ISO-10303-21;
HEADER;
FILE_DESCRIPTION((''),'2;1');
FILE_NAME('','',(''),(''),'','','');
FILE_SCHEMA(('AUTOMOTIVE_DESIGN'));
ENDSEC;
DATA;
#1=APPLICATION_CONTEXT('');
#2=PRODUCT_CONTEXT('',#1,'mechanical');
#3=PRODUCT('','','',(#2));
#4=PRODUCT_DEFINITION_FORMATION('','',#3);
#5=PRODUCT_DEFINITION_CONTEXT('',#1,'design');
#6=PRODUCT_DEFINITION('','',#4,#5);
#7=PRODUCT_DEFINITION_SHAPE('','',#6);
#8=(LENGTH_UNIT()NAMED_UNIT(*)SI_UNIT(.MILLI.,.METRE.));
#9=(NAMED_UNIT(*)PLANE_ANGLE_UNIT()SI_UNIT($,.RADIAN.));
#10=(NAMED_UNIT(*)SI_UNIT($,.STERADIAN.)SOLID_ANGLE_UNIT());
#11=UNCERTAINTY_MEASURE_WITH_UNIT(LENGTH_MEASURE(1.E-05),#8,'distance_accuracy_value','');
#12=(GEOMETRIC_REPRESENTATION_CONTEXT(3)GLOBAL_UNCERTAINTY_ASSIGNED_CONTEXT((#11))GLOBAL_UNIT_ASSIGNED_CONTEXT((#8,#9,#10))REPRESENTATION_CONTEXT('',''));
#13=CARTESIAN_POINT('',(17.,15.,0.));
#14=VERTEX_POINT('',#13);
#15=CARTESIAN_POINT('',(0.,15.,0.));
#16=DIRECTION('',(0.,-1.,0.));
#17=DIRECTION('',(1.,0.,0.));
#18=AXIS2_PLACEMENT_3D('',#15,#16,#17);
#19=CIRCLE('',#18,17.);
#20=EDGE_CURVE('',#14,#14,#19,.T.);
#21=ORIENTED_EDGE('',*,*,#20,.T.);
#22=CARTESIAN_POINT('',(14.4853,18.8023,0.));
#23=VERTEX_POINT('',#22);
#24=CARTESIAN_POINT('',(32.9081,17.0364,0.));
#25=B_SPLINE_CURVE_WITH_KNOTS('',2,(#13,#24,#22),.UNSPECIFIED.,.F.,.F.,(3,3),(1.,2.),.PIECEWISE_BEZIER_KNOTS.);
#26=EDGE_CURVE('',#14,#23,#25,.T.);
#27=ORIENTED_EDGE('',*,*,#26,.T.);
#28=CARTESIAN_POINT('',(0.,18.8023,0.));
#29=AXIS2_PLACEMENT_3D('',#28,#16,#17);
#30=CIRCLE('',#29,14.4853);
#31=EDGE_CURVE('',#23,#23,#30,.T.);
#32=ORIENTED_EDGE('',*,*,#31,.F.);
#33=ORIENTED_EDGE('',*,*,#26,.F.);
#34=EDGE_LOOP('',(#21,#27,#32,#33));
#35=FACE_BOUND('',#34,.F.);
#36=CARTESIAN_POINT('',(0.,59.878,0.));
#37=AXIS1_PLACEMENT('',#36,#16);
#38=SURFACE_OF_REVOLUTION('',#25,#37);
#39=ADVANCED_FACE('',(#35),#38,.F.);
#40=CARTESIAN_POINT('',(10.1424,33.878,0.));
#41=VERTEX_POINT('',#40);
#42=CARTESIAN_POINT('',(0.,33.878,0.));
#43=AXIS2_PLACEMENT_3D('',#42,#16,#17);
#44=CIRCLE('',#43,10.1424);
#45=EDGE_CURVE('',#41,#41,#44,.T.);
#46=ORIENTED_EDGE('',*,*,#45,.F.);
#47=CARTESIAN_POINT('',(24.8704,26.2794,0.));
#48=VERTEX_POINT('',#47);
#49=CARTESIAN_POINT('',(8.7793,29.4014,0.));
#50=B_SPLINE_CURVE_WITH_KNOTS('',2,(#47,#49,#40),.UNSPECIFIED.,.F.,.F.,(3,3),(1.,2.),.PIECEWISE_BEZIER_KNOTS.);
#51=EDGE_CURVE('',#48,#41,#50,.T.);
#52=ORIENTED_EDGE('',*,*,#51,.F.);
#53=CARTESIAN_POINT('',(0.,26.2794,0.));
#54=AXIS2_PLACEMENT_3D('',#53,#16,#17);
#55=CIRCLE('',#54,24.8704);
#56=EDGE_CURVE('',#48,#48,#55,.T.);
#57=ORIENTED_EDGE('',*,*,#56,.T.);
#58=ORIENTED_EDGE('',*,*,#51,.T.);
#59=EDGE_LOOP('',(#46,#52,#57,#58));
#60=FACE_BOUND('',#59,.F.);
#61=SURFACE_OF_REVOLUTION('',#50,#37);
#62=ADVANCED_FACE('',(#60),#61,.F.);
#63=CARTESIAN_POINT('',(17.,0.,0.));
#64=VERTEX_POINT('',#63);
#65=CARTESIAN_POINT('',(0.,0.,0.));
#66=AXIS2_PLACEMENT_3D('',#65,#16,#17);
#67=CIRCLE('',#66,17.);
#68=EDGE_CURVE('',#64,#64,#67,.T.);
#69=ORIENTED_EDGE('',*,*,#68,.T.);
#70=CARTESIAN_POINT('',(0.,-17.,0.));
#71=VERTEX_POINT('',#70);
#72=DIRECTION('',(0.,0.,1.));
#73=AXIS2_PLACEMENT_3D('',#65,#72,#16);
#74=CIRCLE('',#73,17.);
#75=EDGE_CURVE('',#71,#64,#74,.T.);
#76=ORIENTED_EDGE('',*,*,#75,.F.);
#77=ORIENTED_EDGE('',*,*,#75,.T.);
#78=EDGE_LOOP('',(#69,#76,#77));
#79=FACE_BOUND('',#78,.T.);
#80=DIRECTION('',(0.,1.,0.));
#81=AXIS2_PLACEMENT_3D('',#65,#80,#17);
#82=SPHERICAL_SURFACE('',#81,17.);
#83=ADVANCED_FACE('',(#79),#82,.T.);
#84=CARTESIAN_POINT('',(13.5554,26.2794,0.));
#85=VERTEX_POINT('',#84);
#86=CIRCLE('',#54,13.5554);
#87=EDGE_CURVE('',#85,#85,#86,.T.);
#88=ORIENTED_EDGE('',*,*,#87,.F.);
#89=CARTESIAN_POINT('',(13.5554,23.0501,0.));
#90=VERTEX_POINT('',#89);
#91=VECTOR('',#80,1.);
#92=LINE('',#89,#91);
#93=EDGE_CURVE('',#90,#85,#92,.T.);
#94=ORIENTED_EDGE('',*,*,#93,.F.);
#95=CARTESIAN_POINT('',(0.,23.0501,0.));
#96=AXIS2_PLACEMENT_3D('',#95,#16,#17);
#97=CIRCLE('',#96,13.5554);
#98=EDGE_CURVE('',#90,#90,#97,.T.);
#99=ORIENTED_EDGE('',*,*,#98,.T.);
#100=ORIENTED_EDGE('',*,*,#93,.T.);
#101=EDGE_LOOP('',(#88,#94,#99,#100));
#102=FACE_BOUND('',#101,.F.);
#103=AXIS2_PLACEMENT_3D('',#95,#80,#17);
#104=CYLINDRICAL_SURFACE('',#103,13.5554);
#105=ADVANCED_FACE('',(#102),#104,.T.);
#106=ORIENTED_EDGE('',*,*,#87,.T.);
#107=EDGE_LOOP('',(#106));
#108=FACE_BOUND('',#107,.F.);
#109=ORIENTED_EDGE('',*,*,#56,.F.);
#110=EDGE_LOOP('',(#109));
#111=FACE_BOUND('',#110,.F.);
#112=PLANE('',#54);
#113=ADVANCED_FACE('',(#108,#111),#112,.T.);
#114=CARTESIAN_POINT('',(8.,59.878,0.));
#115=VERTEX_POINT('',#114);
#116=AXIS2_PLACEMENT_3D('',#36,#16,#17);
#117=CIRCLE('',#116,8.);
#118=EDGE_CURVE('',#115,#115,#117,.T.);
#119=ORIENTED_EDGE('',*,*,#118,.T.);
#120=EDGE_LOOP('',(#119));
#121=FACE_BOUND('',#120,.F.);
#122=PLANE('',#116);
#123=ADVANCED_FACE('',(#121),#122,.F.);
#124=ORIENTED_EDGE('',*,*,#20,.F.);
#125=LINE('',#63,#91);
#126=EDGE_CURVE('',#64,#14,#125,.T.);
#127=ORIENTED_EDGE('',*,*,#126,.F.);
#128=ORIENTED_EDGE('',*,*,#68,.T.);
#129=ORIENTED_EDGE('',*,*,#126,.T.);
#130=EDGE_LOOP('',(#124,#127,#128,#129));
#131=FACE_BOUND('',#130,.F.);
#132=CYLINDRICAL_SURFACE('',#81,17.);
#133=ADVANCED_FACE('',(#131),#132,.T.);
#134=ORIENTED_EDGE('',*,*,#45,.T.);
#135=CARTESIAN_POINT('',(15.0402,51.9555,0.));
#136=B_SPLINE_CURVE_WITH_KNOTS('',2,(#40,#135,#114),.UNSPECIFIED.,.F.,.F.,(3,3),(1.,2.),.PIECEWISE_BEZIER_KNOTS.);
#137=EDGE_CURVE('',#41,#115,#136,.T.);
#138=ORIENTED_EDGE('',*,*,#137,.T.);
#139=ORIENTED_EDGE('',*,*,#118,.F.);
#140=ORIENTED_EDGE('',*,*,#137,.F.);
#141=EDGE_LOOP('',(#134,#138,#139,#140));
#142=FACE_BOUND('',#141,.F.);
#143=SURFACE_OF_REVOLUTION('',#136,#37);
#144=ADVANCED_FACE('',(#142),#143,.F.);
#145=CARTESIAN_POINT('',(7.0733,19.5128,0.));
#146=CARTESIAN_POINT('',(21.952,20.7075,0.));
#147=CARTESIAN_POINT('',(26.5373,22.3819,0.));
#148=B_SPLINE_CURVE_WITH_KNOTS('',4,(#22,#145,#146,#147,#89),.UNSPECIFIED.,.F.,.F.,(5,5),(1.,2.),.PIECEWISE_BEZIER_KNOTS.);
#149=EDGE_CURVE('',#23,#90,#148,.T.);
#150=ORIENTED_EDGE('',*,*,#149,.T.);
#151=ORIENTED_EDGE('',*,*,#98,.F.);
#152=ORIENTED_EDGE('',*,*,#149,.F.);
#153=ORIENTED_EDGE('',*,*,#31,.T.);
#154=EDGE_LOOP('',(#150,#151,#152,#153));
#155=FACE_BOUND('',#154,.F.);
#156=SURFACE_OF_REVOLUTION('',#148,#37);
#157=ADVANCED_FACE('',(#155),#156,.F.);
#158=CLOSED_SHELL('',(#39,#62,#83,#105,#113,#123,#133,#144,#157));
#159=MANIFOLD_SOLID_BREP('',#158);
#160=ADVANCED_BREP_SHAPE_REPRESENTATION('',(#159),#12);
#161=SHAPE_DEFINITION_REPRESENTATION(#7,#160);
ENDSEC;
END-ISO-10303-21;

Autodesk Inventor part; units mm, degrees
ref_plane "YZ Plane" through (0, 0, 0) normal (1, 0, 0) x (0, 1, 0)
ref_plane "XZ Plane" through (0, 0, 0) normal (0, 1, 0) x (-1, 0, 0)
ref_plane "XY Plane" through (0, 0, 0) normal (0, 0, 1) x (1, 0, 0)
sketch "Sketch1" plane through (0, 0, 0) normal (0, 0, 1) x (1, 0, 0)
  line L0 (0, 0) -> (17, 0)
  line L1 (17, 0) -> (17, 15)
  line L2 (17, 15) -> (32.9081, 17.0364) construction
  line L3 (32.9081, 17.0364) -> (14.4853, 18.8023) construction
  spline S0 degree 2 poles (17, 15) (32.9081, 17.0364) (14.4853, 18.8023) knots 1 1 1 2 2 2
  line L4 (14.4853, 18.8023) -> (7.0733, 19.5128) construction
  line L5 (7.0733, 19.5128) -> (21.952, 20.7075) construction
  line L6 (21.952, 20.7075) -> (26.5373, 22.3819) construction
  line L7 (26.5373, 22.3819) -> (13.5554, 23.0501) construction
  spline S1 degree 4 poles (14.4853, 18.8023) (7.0733, 19.5128) (21.952, 20.7075) (26.5373, 22.3819) (13.5554, 23.0501) knots 1 1 1 1 1 2 2 2 2 2
  line L8 (13.5554, 23.0501) -> (13.5554, 26.2794)
  line L9 (13.5554, 23.0501) -> (16.7847, 23.0501) construction
  line L10 (13.5554, 26.2794) -> (24.8704, 26.2794)
  line L11 (24.8704, 26.2794) -> (8.7793, 29.4014) construction
  line L12 (8.7793, 29.4014) -> (10.1424, 33.878) construction
  spline S2 degree 2 poles (24.8704, 26.2794) (8.7793, 29.4014) (10.1424, 33.878) knots 1 1 1 2 2 2
  line L13 (10.1424, 33.878) -> (15.0402, 51.9555) construction
  line L14 (15.0402, 51.9555) -> (8, 59.878) construction
  spline S3 degree 2 poles (10.1424, 33.878) (15.0402, 51.9555) (8, 59.878) knots 1 1 1 2 2 2
  line L15 (8, 59.878) -> (0, 59.878)
  line L16 (8, 59.878) -> (16, 59.878) construction
  line L17 (0, 59.878) -> (0, 0)
  arc A0 (0, -4.7625) -> (17, 15) centre (6.8127, 6.5702) ccw
  point P0 (9.4608, 31.6397)
  dimension "d0" = 17
  dimension "d1" = 15
  dimension "d3" = 11.315
  dimension "d5" = 59.878
  dimension "d6" = 3.2294
  dimension "d7" = 8
  dimension "d8" = 26
  dimension "d9" = 4.2477
  dimension "d10" = 3.8024
  dimension "d13" = 9.4608
  dimension "d14" = 10.1424
revolve "Revolution1" add sketch "Sketch1" angle 360 about axis through (0, 59.878, 0) along (0, -1, 0)
sketch "Sketch2" plane through (0, 0, 0) normal (0, 0, 1) x (1, 0, 0)
  line L0 (17, 15) -> (17, 0) projected
  line L1 (-17, 0) -> (17, 0) projected
  arc A0 (0, -17) -> (17, 0) centre (0, 0) ccw
  line L2 (0, -17) -> (0, 0)
revolve "Revolution2" add sketch "Sketch2" angle 360 about axis through (0, -17, 0) along (0, 1, 0)
properties part number "Joystick upper"
